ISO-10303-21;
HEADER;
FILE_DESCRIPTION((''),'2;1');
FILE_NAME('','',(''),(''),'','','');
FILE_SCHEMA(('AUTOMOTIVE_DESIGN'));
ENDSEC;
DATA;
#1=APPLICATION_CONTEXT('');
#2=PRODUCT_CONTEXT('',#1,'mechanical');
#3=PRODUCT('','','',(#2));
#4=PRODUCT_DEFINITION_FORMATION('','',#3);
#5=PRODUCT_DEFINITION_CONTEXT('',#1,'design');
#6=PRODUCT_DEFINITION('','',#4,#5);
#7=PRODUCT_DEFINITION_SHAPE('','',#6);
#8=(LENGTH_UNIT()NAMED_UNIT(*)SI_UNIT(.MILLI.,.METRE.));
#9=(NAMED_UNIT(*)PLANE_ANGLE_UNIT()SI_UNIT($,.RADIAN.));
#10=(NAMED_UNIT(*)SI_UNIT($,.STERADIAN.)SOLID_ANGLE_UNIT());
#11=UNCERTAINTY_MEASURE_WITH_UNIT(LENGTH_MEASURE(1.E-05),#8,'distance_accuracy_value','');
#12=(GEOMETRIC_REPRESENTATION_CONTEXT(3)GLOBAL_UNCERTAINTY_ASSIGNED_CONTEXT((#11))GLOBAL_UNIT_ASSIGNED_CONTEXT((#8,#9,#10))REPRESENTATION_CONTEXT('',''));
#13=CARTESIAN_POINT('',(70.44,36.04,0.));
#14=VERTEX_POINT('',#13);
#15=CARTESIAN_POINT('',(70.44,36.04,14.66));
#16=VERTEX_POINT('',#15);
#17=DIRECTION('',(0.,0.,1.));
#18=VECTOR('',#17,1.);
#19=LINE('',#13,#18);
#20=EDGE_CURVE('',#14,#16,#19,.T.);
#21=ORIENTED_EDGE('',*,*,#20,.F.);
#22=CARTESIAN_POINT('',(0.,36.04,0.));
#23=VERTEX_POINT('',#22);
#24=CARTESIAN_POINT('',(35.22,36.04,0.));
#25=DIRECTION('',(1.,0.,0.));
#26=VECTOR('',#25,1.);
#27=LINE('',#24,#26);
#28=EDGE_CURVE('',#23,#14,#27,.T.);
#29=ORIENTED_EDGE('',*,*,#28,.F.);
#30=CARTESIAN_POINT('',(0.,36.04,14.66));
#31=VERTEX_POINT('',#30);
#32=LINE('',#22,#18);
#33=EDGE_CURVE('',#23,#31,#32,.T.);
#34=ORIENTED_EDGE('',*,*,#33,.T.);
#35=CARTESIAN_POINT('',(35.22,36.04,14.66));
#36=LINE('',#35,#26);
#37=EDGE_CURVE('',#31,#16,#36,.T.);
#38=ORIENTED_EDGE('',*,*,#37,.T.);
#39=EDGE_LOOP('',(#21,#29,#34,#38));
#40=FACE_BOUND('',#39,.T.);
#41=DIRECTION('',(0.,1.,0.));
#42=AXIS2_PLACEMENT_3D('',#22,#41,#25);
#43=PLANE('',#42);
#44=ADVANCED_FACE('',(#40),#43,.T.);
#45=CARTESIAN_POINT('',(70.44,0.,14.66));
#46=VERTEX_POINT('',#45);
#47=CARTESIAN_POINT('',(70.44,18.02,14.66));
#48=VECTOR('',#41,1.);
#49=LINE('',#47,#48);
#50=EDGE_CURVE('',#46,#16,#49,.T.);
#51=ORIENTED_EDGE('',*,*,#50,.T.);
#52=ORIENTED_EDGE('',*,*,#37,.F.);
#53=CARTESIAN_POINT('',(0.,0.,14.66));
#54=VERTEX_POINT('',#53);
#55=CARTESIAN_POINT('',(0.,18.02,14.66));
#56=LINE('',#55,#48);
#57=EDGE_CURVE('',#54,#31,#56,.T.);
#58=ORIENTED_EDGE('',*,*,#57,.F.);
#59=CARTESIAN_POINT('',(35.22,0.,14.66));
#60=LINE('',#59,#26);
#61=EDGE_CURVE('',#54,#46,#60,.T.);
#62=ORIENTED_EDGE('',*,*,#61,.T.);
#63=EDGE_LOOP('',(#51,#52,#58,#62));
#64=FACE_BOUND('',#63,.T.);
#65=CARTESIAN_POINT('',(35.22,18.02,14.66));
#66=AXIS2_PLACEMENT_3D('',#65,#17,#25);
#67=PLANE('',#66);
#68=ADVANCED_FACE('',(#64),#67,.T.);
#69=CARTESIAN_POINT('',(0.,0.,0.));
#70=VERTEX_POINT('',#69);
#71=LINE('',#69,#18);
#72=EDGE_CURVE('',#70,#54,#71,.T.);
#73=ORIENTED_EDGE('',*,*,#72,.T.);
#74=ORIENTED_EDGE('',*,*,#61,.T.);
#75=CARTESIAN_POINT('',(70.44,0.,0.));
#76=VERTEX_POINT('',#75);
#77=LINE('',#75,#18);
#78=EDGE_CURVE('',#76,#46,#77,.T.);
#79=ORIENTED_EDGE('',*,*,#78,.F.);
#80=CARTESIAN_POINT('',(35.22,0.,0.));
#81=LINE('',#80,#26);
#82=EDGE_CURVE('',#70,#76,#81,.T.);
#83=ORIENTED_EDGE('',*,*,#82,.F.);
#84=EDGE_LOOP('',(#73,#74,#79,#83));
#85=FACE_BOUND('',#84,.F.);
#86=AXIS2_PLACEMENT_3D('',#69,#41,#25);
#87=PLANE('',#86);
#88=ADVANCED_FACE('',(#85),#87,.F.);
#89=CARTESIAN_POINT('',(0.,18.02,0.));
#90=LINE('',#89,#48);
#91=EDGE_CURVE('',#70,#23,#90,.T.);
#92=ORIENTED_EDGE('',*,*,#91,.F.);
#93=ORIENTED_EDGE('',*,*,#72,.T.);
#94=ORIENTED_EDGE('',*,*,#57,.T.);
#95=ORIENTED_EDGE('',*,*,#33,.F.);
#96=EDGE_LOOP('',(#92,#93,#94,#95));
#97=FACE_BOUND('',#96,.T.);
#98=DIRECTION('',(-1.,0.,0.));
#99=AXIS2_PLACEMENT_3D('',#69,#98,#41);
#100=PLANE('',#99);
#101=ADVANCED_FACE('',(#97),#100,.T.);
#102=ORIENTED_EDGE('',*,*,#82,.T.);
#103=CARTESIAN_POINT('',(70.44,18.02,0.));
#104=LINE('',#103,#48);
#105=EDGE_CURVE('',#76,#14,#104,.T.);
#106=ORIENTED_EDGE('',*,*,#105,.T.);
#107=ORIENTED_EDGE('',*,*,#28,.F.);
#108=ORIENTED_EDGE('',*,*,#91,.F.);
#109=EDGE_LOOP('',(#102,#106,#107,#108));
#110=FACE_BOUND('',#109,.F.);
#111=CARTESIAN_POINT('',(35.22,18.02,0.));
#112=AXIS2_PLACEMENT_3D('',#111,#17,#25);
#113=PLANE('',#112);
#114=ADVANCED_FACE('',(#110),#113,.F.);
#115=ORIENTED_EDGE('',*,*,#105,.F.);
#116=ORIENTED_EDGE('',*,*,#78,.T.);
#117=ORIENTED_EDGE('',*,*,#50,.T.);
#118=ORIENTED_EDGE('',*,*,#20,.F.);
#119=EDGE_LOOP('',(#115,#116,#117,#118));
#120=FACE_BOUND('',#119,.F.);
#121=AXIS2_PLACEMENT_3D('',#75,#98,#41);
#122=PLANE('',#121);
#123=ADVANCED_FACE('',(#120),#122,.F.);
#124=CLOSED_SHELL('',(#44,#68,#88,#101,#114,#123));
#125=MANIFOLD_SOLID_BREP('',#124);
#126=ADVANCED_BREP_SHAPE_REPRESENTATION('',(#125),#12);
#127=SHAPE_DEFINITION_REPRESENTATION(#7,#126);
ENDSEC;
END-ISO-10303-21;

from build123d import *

# Parameters (mm, degrees)
BOX_W     = 70.44
BOX_H     = 36.04
BOX_DEPTH = 14.66


with BuildPart() as part:
    # Box → Box (new body)
    with BuildSketch(Plane.XY):
        with Locations((35.22, 18.02)):
            Rectangle(BOX_W, BOX_H)
    extrude(amount=BOX_DEPTH)


solid = part.part
